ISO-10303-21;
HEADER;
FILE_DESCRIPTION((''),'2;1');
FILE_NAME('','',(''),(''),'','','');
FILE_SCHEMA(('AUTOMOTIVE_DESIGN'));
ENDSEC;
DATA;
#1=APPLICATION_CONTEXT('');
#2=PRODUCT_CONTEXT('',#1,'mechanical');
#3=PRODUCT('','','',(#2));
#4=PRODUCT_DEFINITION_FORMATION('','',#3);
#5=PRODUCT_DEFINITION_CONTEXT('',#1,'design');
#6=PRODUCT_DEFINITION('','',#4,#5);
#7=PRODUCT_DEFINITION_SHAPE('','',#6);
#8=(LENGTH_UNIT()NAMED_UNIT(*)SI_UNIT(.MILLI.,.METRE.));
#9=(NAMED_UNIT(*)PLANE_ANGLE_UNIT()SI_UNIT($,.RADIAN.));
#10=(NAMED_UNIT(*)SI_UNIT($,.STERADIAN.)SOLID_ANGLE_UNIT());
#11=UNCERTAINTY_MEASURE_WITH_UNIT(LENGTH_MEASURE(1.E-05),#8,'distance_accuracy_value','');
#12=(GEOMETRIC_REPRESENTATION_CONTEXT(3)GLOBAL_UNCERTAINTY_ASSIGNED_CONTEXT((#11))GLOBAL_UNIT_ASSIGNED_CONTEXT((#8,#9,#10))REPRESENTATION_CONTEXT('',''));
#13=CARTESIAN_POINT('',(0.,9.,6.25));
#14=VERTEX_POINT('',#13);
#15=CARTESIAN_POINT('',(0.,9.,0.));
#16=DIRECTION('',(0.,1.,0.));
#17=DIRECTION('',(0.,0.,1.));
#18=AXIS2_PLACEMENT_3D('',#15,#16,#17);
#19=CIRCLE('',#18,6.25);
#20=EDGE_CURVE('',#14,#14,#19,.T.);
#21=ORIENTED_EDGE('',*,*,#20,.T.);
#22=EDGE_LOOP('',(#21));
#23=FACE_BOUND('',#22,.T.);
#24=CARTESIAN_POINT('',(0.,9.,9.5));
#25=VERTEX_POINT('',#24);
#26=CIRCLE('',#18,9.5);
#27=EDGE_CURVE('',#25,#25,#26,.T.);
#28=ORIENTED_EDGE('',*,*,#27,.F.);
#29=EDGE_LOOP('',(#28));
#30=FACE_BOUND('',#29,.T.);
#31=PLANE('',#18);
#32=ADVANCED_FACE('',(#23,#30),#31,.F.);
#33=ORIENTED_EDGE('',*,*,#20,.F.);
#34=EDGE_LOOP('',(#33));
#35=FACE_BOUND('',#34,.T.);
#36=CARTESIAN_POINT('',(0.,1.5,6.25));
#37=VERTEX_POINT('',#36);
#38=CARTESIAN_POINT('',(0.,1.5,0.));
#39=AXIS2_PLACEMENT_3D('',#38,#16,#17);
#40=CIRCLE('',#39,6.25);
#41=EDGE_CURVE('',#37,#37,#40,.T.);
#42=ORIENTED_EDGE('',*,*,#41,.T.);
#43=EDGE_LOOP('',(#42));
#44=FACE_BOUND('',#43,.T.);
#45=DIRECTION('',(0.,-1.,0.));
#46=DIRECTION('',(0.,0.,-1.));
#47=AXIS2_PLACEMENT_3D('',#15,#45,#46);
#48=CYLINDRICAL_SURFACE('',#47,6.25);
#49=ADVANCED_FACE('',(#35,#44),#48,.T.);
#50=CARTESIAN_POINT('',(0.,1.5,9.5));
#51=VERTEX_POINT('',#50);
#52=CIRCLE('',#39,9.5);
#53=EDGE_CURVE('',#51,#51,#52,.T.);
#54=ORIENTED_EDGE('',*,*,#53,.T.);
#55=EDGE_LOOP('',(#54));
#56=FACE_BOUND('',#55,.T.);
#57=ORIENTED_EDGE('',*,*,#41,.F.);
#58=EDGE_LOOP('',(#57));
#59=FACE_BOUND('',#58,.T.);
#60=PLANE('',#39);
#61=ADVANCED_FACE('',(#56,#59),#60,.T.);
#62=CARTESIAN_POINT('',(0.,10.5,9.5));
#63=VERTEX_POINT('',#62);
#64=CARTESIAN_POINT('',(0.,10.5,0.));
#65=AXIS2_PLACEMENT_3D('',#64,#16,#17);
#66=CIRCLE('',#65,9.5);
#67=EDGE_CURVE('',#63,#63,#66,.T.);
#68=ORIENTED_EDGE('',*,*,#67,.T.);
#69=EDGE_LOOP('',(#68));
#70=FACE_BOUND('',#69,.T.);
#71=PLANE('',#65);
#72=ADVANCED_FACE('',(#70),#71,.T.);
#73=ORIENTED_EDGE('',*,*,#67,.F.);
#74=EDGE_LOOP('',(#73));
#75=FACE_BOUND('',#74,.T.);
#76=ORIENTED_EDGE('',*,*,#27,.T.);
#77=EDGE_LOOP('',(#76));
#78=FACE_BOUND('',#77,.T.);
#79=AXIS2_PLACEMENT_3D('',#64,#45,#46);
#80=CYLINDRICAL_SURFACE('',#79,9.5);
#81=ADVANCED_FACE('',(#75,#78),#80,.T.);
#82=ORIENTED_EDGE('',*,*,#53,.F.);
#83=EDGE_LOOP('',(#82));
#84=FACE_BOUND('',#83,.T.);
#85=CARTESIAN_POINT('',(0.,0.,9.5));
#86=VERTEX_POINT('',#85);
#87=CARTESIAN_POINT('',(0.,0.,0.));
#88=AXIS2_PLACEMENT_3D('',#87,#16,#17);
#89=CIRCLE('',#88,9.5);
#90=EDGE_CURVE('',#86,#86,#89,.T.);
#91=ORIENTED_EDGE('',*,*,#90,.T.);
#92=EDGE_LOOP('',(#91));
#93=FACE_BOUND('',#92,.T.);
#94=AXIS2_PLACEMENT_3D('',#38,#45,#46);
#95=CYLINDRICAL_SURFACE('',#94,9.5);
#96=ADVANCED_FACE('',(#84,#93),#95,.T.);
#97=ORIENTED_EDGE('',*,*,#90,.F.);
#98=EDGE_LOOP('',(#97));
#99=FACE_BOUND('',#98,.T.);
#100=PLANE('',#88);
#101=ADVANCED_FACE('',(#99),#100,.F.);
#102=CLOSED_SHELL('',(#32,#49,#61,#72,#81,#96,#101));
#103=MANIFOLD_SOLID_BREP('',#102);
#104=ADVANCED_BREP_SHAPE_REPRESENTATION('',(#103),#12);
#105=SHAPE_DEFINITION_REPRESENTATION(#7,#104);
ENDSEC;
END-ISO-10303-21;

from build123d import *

# Parameters (mm, degrees)
SKETCH1_R           = 9.5
BOSS_EXTRUDE1_DEPTH = 1.5
SKETCH2_R           = 6.25
BOSS_EXTRUDE2_DEPTH = 7.5
SKETCH4_R           = 9.5
BOSS_EXTRUDE4_DEPTH = 1.5


with BuildPart() as part:
    # Sketch1 → Boss-Extrude1 (new body)
    with BuildSketch(Plane(origin=(0, 0, 0), x_dir=(1, 0, 0), z_dir=(0, 1, 0))):
        Circle(SKETCH1_R)
    extrude(amount=BOSS_EXTRUDE1_DEPTH)

    # Sketch2 → Boss-Extrude2 (add)
    with BuildSketch(Plane(origin=(0, 1.5, 0), x_dir=(1, 0, 0), z_dir=(0, 1, 0))):
        Circle(SKETCH2_R)
    extrude(amount=BOSS_EXTRUDE2_DEPTH)

    # Sketch4 → Boss-Extrude4 (add)
    with BuildSketch(Plane(origin=(0, 9, 0), x_dir=(1, 0, 0), z_dir=(0, 1, 0))):
        Circle(SKETCH4_R)
    extrude(amount=BOSS_EXTRUDE4_DEPTH)


solid = part.part
